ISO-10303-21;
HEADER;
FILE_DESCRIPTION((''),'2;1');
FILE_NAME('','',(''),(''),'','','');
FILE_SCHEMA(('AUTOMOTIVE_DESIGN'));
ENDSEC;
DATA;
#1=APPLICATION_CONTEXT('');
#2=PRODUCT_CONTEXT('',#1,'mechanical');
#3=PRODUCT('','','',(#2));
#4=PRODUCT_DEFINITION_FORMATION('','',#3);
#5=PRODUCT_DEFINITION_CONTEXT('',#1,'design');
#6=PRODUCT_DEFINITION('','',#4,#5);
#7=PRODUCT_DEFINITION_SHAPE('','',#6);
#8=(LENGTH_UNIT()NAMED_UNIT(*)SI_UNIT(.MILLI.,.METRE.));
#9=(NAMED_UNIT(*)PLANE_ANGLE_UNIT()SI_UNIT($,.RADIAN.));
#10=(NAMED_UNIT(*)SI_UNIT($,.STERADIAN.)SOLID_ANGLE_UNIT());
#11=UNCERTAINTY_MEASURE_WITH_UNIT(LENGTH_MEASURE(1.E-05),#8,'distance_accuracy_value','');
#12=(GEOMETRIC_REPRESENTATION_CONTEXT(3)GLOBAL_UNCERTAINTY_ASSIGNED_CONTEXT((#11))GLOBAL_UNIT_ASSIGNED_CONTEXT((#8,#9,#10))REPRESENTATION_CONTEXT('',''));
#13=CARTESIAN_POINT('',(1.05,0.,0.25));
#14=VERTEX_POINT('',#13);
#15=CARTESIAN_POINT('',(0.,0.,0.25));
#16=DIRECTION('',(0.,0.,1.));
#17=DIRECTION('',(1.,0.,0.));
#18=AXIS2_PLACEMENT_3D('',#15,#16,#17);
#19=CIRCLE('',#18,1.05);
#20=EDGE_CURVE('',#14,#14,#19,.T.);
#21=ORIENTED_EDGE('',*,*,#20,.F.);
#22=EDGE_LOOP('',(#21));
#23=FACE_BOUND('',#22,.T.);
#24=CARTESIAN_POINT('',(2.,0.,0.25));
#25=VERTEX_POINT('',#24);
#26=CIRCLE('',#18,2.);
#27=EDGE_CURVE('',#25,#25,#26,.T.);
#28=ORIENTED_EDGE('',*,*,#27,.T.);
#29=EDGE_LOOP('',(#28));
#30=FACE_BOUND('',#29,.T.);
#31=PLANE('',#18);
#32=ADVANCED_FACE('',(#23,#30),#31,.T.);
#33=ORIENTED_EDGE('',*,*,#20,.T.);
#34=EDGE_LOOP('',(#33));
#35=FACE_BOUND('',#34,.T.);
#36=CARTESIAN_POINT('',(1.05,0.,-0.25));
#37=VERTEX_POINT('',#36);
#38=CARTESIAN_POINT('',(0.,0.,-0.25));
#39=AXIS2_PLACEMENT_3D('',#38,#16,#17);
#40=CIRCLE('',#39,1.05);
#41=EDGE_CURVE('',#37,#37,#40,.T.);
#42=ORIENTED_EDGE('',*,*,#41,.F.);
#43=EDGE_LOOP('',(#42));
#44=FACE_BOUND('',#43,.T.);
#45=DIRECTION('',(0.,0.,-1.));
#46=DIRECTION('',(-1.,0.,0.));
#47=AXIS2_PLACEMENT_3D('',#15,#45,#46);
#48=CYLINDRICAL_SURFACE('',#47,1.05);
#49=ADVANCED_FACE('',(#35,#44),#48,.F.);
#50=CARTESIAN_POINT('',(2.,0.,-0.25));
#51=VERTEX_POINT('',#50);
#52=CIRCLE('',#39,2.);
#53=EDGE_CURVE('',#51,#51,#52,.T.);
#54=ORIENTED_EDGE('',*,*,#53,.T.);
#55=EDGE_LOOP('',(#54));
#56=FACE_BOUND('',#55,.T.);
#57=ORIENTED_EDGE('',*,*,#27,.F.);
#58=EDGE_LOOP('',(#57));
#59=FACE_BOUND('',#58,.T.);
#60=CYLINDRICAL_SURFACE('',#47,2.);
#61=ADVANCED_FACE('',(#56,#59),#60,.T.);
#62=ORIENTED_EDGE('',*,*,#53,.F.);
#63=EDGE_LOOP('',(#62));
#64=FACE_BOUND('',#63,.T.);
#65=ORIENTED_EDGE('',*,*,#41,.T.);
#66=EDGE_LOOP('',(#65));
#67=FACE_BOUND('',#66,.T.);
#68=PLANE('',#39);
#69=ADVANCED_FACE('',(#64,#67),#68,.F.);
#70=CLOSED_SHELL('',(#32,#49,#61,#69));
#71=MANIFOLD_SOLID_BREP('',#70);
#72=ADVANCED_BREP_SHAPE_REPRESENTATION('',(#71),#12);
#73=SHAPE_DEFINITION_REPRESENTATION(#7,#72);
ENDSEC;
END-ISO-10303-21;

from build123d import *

# Parameters (mm, degrees)
SKETCH3_R           = 2
SKETCH3_R_2         = 1.05
BOSS_EXTRUDE1_DEPTH = 0.25


with BuildPart() as part:
    # Sketch3 → Boss-Extrude1 (new body, symmetric)
    with BuildSketch(Plane.XY):
        Circle(SKETCH3_R)
        Circle(SKETCH3_R_2, mode=Mode.SUBTRACT)
    extrude(amount=BOSS_EXTRUDE1_DEPTH, both=True)


solid = part.part
